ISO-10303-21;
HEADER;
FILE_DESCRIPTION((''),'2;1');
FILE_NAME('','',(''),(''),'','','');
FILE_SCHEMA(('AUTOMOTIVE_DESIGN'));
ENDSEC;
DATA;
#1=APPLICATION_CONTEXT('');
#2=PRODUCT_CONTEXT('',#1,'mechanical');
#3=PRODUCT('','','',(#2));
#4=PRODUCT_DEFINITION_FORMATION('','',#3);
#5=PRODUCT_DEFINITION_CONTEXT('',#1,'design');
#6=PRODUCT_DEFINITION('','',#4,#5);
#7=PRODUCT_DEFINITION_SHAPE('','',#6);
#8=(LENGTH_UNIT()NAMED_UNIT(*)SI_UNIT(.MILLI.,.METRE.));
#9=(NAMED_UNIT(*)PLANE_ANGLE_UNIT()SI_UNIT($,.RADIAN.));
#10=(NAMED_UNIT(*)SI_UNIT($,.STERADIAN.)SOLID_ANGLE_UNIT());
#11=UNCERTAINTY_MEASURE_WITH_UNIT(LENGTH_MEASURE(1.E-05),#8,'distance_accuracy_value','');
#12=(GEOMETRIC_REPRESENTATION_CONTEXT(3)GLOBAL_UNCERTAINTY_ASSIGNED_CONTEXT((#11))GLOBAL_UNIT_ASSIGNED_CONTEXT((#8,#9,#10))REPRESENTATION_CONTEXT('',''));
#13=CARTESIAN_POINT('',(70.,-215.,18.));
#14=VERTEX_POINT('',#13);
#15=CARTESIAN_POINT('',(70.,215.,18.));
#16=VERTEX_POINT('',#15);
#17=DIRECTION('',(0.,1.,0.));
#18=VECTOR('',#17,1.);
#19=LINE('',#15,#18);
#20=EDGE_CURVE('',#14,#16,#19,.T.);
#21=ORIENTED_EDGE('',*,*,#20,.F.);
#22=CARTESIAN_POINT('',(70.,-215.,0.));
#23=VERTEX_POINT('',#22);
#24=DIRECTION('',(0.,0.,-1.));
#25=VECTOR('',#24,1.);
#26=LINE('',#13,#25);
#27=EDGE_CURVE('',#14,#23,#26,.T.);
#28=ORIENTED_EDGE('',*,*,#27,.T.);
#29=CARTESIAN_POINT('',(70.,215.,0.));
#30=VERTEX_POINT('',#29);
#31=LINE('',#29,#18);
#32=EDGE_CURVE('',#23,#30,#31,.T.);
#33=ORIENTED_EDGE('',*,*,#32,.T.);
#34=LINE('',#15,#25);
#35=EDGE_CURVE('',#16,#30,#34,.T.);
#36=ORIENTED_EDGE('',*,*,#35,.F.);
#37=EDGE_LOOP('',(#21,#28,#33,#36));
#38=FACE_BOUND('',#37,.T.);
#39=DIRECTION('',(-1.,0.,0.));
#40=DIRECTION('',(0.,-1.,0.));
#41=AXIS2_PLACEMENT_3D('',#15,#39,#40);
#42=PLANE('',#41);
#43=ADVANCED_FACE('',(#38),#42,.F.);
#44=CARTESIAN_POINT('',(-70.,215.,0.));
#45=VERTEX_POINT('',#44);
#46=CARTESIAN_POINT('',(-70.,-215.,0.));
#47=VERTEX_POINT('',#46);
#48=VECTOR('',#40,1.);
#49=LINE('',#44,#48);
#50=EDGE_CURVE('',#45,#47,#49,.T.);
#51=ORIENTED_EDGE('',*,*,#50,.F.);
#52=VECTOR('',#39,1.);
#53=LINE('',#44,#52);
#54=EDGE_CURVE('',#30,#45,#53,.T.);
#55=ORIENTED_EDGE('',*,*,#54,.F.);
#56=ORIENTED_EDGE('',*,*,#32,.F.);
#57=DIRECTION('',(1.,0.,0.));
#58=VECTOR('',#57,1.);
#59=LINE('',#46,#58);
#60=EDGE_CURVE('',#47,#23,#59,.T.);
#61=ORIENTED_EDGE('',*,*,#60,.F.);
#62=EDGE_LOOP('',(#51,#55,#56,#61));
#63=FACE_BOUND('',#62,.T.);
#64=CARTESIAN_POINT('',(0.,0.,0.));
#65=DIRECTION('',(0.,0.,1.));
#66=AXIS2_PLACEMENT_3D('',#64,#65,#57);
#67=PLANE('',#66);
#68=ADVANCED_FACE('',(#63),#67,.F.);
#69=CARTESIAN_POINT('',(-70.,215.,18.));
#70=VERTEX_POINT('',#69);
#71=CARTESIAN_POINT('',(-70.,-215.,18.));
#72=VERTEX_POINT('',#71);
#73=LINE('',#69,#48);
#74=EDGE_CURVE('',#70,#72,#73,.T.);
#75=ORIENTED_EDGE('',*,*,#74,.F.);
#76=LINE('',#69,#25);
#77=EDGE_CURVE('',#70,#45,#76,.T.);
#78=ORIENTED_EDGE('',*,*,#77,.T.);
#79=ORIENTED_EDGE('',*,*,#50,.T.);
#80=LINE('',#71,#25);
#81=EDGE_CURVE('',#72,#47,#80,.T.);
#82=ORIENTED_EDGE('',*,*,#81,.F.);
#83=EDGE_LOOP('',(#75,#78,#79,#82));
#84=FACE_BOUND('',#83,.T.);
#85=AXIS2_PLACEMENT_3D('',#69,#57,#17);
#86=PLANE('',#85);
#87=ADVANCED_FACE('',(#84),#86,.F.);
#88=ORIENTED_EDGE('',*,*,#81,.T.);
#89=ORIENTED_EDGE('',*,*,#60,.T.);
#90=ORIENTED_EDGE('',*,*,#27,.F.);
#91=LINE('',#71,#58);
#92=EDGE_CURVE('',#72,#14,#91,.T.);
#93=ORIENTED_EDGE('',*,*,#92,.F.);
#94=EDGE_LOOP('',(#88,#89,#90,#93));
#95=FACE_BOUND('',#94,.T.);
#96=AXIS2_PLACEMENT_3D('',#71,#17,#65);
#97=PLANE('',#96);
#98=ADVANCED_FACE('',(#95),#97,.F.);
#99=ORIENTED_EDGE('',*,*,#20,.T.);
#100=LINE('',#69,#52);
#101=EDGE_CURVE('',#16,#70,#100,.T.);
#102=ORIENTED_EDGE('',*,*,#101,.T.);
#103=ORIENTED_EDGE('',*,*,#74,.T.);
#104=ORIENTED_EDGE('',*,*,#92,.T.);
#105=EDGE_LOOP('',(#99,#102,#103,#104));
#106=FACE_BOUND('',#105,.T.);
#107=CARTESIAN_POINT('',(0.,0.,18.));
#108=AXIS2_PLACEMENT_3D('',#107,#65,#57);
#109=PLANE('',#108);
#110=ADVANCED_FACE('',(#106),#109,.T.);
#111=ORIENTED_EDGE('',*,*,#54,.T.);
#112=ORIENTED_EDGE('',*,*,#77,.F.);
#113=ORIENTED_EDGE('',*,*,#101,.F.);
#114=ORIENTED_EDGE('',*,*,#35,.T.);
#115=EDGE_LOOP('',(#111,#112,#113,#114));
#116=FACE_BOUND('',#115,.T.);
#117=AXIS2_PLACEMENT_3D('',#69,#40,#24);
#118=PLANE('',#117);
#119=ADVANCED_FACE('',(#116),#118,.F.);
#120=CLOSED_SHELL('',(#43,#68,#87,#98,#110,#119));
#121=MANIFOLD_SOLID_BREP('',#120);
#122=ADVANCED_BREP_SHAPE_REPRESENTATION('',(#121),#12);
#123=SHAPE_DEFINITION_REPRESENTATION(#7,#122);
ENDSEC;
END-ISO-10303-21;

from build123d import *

# Parameters (mm, degrees)
SKETCH1_W           = 140
SKETCH1_H           = 430
BOSS_EXTRUDE1_DEPTH = 18


with BuildPart() as part:
    # Sketch1 → Boss-Extrude1 (new body)
    with BuildSketch(Plane.XY):
        Rectangle(SKETCH1_W, SKETCH1_H)
    extrude(amount=BOSS_EXTRUDE1_DEPTH)


solid = part.part
